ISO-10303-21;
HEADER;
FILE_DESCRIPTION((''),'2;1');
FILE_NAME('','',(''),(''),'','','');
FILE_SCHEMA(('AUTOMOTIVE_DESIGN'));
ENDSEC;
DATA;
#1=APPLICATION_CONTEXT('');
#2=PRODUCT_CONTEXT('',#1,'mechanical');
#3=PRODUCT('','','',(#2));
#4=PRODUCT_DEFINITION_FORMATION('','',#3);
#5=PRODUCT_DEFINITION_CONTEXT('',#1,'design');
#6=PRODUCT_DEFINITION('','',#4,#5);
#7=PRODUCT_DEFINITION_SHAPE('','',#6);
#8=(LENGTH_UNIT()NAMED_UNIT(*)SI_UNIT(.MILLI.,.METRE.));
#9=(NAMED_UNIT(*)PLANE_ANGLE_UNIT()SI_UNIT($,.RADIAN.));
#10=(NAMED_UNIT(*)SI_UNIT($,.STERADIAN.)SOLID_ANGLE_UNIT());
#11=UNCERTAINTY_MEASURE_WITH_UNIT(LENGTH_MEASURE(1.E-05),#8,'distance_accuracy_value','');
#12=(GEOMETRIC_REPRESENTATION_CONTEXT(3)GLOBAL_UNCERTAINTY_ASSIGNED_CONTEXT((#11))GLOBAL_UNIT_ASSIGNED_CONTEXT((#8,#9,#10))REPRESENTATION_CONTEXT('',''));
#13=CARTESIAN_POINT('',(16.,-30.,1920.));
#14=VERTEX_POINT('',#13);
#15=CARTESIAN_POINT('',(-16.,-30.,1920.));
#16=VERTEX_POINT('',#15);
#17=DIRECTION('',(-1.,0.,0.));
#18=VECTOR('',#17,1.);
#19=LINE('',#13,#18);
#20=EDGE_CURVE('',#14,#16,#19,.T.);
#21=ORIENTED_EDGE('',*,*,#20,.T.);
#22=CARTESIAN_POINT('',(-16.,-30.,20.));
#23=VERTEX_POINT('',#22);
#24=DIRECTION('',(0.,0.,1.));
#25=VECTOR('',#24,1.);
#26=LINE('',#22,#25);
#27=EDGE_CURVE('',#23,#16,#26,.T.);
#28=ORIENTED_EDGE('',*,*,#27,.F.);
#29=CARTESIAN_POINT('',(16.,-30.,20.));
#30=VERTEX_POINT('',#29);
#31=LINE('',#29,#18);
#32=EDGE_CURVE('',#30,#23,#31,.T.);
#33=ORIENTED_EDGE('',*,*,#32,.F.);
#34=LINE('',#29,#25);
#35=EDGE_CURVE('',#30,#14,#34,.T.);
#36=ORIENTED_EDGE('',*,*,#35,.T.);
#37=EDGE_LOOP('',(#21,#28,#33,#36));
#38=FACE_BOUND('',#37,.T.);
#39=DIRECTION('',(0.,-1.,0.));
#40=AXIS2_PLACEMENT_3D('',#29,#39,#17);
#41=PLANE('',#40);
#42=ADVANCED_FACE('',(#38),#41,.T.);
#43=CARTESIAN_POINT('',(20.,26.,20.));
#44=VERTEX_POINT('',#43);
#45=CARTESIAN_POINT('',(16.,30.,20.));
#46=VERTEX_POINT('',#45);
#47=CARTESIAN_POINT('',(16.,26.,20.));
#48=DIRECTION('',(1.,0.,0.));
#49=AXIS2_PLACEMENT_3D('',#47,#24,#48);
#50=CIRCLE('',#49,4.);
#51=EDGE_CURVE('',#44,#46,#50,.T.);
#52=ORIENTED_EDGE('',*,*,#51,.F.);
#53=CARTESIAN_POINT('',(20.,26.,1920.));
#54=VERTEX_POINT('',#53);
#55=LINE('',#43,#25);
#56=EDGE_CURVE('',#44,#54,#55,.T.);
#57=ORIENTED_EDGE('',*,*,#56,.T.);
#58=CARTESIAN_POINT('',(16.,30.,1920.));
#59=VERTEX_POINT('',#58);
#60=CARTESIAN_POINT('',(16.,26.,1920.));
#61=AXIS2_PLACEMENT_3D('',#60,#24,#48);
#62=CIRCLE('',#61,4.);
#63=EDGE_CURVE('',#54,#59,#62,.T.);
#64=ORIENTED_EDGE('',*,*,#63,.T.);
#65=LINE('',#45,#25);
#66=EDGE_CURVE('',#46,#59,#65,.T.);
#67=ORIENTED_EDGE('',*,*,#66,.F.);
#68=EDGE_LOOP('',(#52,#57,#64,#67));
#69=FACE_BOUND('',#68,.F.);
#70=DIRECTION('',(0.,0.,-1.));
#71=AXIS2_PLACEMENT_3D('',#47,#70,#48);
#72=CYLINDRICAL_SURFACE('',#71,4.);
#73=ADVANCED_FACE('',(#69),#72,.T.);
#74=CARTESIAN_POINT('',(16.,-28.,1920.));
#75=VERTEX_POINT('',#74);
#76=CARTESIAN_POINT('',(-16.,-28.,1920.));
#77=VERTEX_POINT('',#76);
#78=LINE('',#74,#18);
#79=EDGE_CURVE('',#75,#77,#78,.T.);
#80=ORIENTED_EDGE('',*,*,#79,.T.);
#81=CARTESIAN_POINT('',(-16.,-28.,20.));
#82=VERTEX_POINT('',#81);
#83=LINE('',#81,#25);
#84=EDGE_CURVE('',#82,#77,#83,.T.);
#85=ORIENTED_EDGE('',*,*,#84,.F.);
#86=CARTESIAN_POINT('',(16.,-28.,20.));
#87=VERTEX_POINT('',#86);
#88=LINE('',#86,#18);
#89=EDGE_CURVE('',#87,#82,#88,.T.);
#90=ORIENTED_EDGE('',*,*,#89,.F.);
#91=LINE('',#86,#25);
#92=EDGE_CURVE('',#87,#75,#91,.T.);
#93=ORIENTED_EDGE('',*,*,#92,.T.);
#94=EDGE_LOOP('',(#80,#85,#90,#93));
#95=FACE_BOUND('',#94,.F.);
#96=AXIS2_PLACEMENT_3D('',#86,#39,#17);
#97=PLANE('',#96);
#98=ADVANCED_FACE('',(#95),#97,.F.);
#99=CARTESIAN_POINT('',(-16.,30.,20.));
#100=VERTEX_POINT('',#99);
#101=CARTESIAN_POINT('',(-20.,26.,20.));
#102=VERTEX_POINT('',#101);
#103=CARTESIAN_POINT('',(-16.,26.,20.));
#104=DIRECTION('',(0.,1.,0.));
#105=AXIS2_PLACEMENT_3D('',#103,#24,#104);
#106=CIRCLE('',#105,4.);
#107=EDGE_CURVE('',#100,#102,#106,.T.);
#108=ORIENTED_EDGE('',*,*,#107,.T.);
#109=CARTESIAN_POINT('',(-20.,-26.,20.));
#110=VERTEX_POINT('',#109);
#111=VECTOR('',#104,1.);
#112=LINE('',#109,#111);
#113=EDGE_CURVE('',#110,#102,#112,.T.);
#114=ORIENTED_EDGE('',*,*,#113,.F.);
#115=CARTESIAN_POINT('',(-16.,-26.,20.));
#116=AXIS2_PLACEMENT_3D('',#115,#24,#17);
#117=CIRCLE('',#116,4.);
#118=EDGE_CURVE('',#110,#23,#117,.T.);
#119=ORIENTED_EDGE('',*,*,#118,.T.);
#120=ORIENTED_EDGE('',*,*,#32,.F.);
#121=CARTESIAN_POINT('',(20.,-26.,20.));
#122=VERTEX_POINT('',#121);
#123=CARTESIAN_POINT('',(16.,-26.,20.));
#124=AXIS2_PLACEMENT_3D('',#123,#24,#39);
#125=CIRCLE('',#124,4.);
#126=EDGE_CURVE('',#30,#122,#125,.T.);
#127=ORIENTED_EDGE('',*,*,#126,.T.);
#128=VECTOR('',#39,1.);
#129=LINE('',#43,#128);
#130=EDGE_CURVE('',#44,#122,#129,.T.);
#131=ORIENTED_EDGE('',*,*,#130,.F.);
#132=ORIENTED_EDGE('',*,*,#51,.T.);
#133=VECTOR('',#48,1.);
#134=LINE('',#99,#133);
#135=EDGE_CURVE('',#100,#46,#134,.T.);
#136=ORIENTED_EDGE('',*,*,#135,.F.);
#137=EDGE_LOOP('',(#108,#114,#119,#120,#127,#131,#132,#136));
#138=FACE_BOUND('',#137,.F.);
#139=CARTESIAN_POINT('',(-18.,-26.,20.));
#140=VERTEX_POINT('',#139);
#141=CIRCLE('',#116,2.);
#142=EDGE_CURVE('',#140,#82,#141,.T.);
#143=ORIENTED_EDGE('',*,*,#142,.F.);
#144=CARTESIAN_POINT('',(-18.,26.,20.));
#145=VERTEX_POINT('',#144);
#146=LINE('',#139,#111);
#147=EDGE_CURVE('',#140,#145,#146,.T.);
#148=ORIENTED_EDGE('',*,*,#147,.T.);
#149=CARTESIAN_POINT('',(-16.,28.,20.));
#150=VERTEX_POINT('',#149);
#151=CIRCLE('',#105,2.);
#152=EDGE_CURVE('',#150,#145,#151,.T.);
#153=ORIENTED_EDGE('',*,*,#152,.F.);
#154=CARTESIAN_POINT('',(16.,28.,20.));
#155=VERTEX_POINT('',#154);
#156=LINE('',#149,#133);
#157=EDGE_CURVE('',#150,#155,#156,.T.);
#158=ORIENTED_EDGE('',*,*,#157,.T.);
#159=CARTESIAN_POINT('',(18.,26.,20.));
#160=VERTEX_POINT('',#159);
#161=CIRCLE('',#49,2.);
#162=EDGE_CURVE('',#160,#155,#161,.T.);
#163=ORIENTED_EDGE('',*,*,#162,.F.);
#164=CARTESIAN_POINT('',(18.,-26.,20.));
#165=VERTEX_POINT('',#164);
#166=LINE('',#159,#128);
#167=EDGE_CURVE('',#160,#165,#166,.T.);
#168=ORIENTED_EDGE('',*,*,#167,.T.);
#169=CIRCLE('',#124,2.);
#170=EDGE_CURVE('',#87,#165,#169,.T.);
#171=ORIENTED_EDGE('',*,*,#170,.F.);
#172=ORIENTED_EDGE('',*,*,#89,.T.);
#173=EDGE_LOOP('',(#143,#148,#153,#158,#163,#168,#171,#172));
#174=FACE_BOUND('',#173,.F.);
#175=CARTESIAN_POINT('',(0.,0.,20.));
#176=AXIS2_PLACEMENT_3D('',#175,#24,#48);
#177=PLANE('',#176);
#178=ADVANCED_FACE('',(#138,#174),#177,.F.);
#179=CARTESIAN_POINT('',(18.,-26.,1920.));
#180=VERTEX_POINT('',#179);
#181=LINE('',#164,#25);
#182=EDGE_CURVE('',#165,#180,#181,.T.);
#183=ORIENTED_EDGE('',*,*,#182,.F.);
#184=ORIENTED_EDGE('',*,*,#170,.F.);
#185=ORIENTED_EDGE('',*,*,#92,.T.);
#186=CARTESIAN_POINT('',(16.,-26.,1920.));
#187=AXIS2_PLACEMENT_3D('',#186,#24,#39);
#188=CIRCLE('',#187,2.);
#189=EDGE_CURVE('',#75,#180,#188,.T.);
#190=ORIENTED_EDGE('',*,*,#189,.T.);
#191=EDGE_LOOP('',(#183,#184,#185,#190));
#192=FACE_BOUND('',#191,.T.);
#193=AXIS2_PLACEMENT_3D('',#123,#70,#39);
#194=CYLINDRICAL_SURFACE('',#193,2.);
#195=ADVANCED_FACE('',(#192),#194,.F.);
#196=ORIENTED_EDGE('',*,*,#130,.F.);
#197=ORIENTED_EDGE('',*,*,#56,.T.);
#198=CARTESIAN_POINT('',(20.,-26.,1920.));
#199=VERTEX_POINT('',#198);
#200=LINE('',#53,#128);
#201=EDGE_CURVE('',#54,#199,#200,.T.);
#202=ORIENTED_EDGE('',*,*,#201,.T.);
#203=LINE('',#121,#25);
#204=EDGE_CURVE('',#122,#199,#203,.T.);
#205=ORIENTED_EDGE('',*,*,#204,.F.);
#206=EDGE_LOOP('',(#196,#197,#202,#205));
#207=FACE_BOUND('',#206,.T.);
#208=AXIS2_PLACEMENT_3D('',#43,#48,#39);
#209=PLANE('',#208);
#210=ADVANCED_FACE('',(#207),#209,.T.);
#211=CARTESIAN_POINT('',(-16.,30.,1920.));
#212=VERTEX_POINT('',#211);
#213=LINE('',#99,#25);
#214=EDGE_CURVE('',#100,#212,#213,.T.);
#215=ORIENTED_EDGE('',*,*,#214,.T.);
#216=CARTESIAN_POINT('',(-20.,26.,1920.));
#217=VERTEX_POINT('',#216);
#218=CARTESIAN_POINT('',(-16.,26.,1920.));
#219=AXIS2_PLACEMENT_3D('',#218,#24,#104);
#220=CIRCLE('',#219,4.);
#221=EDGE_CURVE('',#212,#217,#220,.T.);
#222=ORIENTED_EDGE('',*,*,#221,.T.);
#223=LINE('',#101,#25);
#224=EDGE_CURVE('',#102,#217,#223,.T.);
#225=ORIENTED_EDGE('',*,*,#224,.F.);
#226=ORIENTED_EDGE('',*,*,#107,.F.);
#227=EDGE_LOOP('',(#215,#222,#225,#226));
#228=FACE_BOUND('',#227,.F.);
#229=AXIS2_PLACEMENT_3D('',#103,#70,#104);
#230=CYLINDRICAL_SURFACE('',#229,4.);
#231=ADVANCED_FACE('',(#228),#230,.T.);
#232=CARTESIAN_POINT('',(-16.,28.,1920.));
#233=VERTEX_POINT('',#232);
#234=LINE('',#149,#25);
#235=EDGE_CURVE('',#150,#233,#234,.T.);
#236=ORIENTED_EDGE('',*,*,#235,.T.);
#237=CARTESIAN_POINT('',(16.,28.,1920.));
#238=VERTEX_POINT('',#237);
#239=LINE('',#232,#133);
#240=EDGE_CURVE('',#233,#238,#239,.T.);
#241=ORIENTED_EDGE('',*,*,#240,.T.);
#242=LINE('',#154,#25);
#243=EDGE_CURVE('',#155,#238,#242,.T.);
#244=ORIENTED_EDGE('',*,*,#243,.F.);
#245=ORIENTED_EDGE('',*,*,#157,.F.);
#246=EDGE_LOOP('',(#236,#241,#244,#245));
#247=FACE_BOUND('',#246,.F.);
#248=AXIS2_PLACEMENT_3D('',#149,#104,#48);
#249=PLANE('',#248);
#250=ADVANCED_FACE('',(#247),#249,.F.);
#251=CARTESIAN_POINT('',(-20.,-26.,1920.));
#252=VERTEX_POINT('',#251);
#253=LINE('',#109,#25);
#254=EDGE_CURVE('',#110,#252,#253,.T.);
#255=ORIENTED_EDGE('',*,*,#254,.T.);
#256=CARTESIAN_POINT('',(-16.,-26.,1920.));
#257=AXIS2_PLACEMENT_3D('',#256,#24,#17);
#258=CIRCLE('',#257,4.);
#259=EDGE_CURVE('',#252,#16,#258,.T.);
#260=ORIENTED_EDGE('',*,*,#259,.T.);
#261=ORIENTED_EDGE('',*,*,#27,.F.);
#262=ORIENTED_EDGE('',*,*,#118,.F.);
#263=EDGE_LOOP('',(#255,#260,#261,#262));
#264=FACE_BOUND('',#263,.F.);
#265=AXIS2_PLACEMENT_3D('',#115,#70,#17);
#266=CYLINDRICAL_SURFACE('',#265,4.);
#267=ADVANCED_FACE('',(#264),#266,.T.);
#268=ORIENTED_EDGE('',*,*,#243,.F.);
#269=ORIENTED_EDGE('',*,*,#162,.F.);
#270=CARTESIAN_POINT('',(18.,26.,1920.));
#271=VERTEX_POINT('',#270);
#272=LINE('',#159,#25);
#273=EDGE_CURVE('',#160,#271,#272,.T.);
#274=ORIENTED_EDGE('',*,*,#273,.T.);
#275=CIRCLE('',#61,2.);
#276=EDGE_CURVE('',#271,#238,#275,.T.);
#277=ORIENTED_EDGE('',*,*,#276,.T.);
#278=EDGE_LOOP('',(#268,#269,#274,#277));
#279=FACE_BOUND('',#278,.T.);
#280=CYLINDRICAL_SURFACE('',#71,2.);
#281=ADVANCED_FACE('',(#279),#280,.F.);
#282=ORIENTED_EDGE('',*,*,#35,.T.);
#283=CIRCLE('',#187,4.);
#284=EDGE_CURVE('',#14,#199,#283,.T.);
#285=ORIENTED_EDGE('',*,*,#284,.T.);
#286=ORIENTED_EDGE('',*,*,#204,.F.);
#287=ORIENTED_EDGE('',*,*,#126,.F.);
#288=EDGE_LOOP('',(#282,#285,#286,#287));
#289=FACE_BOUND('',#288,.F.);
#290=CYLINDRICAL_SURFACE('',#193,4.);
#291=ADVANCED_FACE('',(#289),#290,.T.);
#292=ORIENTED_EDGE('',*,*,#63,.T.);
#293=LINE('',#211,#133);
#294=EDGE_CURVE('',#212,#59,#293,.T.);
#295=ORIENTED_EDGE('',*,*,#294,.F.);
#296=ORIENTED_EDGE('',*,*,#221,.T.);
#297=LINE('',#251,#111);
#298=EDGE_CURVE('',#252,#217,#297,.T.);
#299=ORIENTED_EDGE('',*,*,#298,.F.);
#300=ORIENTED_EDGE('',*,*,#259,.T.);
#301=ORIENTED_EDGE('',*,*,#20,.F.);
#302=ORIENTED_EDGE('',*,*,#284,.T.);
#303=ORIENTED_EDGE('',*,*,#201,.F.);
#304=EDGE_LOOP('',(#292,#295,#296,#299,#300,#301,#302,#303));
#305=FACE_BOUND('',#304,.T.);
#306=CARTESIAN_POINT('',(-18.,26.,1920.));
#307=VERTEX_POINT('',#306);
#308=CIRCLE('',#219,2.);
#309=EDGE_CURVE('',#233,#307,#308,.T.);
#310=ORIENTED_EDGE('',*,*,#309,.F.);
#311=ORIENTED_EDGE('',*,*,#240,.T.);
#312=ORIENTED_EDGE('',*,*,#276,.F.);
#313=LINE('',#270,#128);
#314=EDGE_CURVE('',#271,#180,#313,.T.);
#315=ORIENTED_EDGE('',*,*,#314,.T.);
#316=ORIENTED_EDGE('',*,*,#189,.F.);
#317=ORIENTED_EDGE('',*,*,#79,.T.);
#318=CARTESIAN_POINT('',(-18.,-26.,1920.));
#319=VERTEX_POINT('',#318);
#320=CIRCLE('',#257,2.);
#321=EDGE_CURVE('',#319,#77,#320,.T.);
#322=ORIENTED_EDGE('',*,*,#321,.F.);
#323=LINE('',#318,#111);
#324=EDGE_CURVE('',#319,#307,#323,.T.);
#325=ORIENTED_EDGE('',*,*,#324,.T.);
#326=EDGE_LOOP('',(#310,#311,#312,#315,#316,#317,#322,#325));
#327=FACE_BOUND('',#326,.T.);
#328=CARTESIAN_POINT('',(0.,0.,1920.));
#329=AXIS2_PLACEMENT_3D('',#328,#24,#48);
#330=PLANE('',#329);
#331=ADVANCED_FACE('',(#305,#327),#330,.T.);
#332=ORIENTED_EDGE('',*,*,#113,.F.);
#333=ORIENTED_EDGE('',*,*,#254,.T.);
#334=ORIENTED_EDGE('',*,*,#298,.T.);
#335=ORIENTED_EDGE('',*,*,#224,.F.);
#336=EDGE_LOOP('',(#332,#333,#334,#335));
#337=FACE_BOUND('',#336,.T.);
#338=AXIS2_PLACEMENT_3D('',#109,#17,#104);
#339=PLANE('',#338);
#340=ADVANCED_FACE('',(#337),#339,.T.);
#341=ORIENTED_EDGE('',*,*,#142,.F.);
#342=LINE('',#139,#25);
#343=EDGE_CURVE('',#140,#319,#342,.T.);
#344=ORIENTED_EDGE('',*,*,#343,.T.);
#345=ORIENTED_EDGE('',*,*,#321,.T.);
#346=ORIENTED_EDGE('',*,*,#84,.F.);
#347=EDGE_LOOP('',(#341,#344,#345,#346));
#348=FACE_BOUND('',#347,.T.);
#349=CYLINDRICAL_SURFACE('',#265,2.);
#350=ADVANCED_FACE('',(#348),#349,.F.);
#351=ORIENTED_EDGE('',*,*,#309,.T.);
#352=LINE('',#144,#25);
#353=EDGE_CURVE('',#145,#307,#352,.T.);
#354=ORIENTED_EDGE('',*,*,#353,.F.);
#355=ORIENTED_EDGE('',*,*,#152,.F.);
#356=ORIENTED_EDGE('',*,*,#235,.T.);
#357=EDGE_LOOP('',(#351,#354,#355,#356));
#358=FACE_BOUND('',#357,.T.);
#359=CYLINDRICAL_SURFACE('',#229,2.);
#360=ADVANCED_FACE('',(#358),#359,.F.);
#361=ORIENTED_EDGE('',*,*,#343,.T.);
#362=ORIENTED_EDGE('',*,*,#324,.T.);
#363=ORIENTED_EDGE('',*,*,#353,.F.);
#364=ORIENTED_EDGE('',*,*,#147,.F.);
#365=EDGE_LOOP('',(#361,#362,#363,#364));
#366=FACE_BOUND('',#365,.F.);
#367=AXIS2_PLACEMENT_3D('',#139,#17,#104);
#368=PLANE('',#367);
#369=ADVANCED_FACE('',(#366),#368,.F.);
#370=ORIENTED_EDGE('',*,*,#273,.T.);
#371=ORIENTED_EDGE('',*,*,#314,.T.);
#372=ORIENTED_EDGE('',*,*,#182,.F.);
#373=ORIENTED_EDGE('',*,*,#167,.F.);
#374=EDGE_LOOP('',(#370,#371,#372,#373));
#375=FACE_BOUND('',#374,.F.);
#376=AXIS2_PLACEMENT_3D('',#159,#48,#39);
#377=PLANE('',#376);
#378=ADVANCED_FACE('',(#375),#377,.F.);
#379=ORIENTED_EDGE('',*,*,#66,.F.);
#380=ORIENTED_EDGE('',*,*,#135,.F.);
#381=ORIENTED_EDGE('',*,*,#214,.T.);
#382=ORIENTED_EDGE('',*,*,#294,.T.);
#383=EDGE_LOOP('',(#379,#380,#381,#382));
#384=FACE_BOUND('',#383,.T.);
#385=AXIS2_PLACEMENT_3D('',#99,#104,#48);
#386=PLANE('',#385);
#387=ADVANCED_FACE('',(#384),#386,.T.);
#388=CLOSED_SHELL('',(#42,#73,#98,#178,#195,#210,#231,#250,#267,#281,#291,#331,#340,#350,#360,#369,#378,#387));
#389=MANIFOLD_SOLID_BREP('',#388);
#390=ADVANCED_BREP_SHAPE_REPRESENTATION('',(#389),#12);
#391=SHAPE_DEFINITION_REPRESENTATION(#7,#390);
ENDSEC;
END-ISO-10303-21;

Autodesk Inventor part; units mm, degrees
ref_plane "YZ Plane" through (0, 0, 0) normal (1, 0, 0) x (0, 1, 0)
ref_plane "Start Plane" through (0, 0, 20) normal (0, 0, 1) x (1, 0, 0)
ref_plane "End Plane" through (0, 0, 1920) normal (0, 0, 1) x (1, 0, 0)
sketch "Sketch" plane through (0, 0, 0) normal (0, 0, 1) x (1, 0, 0)
  line L0 (-20, -26) -> (-20, 26)
  line L1 (-16, 30) -> (16, 30)
  line L2 (20, 26) -> (20, -26)
  line L3 (16, -30) -> (-16, -30)
  arc A0 (-20, -26) -> (-16, -30) centre (-16, -26) ccw
  arc A1 (20, 26) -> (16, 30) centre (16, 26) ccw
  arc A2 (-16, 30) -> (-20, 26) centre (-16, 26) ccw
  arc A3 (16, -30) -> (20, -26) centre (16, -26) ccw
  arc A4 (-16, 28) -> (-18, 26) centre (-16, 26) ccw
  line L4 (-16, 28) -> (16, 28)
  arc A5 (18, 26) -> (16, 28) centre (16, 26) ccw
  line L5 (18, 26) -> (18, -26)
  arc A6 (16, -28) -> (18, -26) centre (16, -26) ccw
  line L6 (16, -28) -> (-16, -28)
  arc A7 (-18, -26) -> (-16, -28) centre (-16, -26) ccw
  line L7 (-18, -26) -> (-18, 26)
  line L8 (0, 43.1598) -> (0, -43.1598) construction
  line L9 (-29.1598, 0) -> (29.1598, 0) construction
  dimension "d7" = 4
  dimension "d9" = 40
  dimension "d11" = 60
  dimension "d12" = 2
  dimension "d15" = 20
  dimension "d16" = 30
extrude "Body" add sketch "Sketch" along normal up to surface (1900 mm away) from surface at 20
sketch "Sketch3" plane through (0, 0, 0) normal (0, 0, 1) x (1, 0, 0)
  line L0 (0, 0) -> (10, 0)
ref_plane "Work Plane3" through (0, 0, 0) normal (0, -1, 0) x (1, 0, 0)
sketch "Sketch4" plane through (0, 0, 0) normal (0, -1, 0) x (1, 0, 0)
  line L0 (-2, 20) -> (12, 20) projected
  line L1 (-2, 1920) -> (12, 1920) projected
  dimension "d18" = 1900
equation "\"d7\" = G_IR"
equation "\"d9\" = G_W"
equation "\"d11\" = G_H"
equation "\"d12\" = G_T"
equation "\"d15\" = 0.5 * d9"
equation "\"d16\" = 0.5 * d11"
equation "\"d3\" = G_L"
equation "\"G_W\" = 40"
equation "\"G_H\" = 60"
equation "\"G_T\" = 2"
equation "\"G_IR\" = 4"
equation "\"G_L\" = d18"
properties part number "ISO 10799-2 - 60x40x2 - 1900" material "Steel, Mild"
